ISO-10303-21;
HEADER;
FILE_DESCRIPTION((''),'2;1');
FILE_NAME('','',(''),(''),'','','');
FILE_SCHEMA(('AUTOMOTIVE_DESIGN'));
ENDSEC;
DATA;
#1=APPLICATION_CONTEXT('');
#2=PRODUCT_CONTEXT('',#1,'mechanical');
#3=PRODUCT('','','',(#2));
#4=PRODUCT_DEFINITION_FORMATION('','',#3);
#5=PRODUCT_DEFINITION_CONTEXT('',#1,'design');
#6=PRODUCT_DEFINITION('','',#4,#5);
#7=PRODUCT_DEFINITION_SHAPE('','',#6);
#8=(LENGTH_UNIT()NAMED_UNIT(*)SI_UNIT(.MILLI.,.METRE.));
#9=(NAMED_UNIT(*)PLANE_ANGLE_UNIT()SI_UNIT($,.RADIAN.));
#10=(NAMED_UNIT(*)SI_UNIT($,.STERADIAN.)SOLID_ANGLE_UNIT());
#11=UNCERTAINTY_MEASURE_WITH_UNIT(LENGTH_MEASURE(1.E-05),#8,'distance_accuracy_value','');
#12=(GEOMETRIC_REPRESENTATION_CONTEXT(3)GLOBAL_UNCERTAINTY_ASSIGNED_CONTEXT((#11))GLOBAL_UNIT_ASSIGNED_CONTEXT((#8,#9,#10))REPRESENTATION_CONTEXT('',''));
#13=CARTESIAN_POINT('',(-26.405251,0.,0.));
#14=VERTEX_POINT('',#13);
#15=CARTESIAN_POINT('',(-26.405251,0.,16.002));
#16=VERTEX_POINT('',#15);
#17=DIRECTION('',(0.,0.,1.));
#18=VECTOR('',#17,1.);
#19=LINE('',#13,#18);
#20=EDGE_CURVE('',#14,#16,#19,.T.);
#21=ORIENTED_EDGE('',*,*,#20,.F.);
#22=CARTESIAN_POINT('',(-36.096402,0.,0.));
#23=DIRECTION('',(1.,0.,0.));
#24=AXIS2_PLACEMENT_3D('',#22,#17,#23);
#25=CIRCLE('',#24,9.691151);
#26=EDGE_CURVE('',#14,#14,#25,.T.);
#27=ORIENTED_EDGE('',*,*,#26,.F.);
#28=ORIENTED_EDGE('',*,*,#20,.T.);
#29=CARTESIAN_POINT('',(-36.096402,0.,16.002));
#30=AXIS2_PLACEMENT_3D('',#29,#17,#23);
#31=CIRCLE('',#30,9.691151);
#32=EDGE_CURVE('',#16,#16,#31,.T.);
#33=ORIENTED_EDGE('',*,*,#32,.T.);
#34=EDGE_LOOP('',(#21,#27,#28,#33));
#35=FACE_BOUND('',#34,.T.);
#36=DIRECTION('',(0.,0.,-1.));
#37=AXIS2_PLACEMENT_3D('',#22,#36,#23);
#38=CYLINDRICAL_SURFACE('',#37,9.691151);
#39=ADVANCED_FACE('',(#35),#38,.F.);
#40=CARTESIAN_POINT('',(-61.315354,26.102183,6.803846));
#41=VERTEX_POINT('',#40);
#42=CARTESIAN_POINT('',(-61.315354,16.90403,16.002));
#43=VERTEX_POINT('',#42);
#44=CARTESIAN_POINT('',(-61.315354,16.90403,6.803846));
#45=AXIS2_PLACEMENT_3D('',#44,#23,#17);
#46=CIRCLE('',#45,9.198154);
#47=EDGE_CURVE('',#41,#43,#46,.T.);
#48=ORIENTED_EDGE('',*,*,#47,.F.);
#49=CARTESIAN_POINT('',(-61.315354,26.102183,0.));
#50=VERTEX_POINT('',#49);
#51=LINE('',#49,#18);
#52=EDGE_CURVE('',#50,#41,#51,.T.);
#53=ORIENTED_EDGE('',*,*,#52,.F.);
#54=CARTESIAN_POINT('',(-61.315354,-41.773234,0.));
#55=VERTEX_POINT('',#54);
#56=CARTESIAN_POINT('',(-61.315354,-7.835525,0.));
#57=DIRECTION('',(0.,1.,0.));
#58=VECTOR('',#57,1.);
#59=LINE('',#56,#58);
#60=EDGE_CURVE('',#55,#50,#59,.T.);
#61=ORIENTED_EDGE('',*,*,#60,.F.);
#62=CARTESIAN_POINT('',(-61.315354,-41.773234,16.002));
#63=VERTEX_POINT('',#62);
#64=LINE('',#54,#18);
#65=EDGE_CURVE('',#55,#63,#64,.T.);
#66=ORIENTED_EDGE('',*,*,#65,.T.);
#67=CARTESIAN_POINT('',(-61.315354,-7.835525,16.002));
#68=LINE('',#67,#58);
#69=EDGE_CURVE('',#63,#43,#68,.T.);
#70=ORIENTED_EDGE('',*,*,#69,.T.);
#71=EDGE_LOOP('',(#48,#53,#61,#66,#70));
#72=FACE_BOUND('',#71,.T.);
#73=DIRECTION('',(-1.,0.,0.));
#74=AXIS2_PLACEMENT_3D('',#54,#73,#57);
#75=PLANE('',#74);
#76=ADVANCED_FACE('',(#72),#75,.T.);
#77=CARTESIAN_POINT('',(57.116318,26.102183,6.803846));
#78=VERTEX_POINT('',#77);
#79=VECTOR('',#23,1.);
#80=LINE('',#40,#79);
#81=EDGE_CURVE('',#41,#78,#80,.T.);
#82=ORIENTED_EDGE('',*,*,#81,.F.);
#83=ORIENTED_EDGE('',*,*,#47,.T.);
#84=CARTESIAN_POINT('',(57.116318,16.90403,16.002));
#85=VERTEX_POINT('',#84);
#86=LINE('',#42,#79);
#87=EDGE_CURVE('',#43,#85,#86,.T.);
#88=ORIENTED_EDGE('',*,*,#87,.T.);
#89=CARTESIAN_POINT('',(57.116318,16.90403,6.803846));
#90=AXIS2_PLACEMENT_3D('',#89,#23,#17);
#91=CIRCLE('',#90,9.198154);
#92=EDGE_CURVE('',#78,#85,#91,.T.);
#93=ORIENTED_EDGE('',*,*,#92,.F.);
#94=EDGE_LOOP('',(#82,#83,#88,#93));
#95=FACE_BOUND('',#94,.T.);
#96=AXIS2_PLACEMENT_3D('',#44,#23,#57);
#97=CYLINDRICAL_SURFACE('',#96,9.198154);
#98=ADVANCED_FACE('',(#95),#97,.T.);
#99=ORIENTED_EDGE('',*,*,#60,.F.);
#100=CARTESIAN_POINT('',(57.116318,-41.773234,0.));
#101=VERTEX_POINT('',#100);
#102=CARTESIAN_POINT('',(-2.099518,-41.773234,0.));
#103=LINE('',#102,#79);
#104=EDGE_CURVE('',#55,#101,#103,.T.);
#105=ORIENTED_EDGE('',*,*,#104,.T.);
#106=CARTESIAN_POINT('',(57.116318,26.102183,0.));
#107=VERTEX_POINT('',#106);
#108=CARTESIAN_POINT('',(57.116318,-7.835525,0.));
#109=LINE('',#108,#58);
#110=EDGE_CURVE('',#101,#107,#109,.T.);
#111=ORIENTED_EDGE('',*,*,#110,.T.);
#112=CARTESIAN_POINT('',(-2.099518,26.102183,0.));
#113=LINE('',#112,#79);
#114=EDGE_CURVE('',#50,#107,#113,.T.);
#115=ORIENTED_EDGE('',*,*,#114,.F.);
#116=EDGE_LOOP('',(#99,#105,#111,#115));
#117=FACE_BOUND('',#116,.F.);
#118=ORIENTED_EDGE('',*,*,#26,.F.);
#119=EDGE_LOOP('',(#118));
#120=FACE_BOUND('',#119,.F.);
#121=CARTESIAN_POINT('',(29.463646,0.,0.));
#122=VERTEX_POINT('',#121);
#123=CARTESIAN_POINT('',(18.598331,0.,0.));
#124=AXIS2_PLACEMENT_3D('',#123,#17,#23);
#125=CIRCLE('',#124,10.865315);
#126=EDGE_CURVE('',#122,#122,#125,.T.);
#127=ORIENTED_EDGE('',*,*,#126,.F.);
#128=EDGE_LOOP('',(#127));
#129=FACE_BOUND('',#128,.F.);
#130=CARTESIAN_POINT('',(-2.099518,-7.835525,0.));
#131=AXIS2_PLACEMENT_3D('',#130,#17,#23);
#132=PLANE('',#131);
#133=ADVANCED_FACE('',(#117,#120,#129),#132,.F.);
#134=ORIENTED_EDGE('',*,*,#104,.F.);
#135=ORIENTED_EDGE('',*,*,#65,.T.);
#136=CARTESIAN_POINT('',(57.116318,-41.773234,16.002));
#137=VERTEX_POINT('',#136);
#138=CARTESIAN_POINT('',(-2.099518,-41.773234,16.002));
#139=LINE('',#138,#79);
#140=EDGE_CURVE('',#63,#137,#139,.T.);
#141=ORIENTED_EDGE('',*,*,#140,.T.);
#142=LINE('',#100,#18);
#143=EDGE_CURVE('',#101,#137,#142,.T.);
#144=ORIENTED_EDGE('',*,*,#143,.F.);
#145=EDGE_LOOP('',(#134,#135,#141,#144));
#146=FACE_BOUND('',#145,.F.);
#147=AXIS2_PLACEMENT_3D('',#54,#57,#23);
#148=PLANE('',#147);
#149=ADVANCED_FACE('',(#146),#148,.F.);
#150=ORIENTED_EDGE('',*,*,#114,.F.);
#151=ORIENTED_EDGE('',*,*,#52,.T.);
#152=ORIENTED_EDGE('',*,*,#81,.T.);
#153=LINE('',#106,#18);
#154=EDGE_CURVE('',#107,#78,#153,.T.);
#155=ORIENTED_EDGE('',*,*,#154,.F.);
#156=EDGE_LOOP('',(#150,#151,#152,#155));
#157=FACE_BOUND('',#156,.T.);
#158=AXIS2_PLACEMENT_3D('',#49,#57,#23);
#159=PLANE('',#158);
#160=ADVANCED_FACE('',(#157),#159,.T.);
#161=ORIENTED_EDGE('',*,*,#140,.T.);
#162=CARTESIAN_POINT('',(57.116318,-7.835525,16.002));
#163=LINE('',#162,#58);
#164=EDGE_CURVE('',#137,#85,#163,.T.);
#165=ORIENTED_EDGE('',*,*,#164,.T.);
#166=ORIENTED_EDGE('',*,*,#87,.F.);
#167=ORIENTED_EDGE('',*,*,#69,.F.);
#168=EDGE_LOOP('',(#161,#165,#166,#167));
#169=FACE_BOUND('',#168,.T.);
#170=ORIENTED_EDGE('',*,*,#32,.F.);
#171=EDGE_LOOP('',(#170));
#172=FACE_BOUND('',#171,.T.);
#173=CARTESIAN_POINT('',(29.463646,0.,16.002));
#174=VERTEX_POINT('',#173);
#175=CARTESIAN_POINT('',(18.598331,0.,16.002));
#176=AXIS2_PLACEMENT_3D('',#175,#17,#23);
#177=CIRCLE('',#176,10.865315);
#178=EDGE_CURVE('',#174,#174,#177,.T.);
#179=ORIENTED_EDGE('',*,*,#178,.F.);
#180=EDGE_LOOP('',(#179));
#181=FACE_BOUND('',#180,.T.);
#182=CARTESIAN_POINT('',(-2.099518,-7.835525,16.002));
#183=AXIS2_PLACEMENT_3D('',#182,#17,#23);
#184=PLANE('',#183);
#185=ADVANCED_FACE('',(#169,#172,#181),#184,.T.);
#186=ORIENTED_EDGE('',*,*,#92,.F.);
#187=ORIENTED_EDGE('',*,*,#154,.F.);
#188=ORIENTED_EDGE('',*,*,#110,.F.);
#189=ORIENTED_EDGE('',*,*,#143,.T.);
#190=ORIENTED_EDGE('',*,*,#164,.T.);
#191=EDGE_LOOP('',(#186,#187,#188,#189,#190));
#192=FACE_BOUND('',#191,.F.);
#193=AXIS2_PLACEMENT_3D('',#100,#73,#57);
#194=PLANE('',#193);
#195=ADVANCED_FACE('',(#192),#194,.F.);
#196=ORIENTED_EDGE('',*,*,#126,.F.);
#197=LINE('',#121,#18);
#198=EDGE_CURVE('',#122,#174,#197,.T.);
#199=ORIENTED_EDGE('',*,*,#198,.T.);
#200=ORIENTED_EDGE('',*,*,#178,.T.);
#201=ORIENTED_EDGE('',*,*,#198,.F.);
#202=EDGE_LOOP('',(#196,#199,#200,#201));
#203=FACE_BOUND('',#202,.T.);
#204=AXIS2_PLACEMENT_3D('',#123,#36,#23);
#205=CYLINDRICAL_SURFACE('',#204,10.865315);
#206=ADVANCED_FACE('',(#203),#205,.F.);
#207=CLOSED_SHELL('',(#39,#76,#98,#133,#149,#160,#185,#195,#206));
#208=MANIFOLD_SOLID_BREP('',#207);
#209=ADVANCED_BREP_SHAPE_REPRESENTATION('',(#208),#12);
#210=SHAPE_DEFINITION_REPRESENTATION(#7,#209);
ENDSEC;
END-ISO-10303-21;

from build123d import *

# Parameters (mm, degrees)
F0_W     = 118.431672
F0_H     = 67.875417
F0_R     = 9.691151
F0_R_2   = 10.865315
F1_DEPTH = 16.002
F2_R     = 9.198154


with BuildPart() as f1:
    # F0 (on Top) → F1 (new body)
    with BuildSketch(Plane.XY):
        with Locations((-2.099518, -7.835525)):
            Rectangle(F0_W, F0_H)
        with Locations((-36.096402, 0)):
            Circle(F0_R, mode=Mode.SUBTRACT)
        with Locations((18.598331, 0)):
            Circle(F0_R_2, mode=Mode.SUBTRACT)
    extrude(amount=F1_DEPTH)

    # F2
    f2_edges = [f1.edges().sort_by_distance(p)[0] for p in [
        (-2.099518, 26.102183, 16.002),
    ]]
    fillet(f2_edges, radius=F2_R)


solid = f1.part
